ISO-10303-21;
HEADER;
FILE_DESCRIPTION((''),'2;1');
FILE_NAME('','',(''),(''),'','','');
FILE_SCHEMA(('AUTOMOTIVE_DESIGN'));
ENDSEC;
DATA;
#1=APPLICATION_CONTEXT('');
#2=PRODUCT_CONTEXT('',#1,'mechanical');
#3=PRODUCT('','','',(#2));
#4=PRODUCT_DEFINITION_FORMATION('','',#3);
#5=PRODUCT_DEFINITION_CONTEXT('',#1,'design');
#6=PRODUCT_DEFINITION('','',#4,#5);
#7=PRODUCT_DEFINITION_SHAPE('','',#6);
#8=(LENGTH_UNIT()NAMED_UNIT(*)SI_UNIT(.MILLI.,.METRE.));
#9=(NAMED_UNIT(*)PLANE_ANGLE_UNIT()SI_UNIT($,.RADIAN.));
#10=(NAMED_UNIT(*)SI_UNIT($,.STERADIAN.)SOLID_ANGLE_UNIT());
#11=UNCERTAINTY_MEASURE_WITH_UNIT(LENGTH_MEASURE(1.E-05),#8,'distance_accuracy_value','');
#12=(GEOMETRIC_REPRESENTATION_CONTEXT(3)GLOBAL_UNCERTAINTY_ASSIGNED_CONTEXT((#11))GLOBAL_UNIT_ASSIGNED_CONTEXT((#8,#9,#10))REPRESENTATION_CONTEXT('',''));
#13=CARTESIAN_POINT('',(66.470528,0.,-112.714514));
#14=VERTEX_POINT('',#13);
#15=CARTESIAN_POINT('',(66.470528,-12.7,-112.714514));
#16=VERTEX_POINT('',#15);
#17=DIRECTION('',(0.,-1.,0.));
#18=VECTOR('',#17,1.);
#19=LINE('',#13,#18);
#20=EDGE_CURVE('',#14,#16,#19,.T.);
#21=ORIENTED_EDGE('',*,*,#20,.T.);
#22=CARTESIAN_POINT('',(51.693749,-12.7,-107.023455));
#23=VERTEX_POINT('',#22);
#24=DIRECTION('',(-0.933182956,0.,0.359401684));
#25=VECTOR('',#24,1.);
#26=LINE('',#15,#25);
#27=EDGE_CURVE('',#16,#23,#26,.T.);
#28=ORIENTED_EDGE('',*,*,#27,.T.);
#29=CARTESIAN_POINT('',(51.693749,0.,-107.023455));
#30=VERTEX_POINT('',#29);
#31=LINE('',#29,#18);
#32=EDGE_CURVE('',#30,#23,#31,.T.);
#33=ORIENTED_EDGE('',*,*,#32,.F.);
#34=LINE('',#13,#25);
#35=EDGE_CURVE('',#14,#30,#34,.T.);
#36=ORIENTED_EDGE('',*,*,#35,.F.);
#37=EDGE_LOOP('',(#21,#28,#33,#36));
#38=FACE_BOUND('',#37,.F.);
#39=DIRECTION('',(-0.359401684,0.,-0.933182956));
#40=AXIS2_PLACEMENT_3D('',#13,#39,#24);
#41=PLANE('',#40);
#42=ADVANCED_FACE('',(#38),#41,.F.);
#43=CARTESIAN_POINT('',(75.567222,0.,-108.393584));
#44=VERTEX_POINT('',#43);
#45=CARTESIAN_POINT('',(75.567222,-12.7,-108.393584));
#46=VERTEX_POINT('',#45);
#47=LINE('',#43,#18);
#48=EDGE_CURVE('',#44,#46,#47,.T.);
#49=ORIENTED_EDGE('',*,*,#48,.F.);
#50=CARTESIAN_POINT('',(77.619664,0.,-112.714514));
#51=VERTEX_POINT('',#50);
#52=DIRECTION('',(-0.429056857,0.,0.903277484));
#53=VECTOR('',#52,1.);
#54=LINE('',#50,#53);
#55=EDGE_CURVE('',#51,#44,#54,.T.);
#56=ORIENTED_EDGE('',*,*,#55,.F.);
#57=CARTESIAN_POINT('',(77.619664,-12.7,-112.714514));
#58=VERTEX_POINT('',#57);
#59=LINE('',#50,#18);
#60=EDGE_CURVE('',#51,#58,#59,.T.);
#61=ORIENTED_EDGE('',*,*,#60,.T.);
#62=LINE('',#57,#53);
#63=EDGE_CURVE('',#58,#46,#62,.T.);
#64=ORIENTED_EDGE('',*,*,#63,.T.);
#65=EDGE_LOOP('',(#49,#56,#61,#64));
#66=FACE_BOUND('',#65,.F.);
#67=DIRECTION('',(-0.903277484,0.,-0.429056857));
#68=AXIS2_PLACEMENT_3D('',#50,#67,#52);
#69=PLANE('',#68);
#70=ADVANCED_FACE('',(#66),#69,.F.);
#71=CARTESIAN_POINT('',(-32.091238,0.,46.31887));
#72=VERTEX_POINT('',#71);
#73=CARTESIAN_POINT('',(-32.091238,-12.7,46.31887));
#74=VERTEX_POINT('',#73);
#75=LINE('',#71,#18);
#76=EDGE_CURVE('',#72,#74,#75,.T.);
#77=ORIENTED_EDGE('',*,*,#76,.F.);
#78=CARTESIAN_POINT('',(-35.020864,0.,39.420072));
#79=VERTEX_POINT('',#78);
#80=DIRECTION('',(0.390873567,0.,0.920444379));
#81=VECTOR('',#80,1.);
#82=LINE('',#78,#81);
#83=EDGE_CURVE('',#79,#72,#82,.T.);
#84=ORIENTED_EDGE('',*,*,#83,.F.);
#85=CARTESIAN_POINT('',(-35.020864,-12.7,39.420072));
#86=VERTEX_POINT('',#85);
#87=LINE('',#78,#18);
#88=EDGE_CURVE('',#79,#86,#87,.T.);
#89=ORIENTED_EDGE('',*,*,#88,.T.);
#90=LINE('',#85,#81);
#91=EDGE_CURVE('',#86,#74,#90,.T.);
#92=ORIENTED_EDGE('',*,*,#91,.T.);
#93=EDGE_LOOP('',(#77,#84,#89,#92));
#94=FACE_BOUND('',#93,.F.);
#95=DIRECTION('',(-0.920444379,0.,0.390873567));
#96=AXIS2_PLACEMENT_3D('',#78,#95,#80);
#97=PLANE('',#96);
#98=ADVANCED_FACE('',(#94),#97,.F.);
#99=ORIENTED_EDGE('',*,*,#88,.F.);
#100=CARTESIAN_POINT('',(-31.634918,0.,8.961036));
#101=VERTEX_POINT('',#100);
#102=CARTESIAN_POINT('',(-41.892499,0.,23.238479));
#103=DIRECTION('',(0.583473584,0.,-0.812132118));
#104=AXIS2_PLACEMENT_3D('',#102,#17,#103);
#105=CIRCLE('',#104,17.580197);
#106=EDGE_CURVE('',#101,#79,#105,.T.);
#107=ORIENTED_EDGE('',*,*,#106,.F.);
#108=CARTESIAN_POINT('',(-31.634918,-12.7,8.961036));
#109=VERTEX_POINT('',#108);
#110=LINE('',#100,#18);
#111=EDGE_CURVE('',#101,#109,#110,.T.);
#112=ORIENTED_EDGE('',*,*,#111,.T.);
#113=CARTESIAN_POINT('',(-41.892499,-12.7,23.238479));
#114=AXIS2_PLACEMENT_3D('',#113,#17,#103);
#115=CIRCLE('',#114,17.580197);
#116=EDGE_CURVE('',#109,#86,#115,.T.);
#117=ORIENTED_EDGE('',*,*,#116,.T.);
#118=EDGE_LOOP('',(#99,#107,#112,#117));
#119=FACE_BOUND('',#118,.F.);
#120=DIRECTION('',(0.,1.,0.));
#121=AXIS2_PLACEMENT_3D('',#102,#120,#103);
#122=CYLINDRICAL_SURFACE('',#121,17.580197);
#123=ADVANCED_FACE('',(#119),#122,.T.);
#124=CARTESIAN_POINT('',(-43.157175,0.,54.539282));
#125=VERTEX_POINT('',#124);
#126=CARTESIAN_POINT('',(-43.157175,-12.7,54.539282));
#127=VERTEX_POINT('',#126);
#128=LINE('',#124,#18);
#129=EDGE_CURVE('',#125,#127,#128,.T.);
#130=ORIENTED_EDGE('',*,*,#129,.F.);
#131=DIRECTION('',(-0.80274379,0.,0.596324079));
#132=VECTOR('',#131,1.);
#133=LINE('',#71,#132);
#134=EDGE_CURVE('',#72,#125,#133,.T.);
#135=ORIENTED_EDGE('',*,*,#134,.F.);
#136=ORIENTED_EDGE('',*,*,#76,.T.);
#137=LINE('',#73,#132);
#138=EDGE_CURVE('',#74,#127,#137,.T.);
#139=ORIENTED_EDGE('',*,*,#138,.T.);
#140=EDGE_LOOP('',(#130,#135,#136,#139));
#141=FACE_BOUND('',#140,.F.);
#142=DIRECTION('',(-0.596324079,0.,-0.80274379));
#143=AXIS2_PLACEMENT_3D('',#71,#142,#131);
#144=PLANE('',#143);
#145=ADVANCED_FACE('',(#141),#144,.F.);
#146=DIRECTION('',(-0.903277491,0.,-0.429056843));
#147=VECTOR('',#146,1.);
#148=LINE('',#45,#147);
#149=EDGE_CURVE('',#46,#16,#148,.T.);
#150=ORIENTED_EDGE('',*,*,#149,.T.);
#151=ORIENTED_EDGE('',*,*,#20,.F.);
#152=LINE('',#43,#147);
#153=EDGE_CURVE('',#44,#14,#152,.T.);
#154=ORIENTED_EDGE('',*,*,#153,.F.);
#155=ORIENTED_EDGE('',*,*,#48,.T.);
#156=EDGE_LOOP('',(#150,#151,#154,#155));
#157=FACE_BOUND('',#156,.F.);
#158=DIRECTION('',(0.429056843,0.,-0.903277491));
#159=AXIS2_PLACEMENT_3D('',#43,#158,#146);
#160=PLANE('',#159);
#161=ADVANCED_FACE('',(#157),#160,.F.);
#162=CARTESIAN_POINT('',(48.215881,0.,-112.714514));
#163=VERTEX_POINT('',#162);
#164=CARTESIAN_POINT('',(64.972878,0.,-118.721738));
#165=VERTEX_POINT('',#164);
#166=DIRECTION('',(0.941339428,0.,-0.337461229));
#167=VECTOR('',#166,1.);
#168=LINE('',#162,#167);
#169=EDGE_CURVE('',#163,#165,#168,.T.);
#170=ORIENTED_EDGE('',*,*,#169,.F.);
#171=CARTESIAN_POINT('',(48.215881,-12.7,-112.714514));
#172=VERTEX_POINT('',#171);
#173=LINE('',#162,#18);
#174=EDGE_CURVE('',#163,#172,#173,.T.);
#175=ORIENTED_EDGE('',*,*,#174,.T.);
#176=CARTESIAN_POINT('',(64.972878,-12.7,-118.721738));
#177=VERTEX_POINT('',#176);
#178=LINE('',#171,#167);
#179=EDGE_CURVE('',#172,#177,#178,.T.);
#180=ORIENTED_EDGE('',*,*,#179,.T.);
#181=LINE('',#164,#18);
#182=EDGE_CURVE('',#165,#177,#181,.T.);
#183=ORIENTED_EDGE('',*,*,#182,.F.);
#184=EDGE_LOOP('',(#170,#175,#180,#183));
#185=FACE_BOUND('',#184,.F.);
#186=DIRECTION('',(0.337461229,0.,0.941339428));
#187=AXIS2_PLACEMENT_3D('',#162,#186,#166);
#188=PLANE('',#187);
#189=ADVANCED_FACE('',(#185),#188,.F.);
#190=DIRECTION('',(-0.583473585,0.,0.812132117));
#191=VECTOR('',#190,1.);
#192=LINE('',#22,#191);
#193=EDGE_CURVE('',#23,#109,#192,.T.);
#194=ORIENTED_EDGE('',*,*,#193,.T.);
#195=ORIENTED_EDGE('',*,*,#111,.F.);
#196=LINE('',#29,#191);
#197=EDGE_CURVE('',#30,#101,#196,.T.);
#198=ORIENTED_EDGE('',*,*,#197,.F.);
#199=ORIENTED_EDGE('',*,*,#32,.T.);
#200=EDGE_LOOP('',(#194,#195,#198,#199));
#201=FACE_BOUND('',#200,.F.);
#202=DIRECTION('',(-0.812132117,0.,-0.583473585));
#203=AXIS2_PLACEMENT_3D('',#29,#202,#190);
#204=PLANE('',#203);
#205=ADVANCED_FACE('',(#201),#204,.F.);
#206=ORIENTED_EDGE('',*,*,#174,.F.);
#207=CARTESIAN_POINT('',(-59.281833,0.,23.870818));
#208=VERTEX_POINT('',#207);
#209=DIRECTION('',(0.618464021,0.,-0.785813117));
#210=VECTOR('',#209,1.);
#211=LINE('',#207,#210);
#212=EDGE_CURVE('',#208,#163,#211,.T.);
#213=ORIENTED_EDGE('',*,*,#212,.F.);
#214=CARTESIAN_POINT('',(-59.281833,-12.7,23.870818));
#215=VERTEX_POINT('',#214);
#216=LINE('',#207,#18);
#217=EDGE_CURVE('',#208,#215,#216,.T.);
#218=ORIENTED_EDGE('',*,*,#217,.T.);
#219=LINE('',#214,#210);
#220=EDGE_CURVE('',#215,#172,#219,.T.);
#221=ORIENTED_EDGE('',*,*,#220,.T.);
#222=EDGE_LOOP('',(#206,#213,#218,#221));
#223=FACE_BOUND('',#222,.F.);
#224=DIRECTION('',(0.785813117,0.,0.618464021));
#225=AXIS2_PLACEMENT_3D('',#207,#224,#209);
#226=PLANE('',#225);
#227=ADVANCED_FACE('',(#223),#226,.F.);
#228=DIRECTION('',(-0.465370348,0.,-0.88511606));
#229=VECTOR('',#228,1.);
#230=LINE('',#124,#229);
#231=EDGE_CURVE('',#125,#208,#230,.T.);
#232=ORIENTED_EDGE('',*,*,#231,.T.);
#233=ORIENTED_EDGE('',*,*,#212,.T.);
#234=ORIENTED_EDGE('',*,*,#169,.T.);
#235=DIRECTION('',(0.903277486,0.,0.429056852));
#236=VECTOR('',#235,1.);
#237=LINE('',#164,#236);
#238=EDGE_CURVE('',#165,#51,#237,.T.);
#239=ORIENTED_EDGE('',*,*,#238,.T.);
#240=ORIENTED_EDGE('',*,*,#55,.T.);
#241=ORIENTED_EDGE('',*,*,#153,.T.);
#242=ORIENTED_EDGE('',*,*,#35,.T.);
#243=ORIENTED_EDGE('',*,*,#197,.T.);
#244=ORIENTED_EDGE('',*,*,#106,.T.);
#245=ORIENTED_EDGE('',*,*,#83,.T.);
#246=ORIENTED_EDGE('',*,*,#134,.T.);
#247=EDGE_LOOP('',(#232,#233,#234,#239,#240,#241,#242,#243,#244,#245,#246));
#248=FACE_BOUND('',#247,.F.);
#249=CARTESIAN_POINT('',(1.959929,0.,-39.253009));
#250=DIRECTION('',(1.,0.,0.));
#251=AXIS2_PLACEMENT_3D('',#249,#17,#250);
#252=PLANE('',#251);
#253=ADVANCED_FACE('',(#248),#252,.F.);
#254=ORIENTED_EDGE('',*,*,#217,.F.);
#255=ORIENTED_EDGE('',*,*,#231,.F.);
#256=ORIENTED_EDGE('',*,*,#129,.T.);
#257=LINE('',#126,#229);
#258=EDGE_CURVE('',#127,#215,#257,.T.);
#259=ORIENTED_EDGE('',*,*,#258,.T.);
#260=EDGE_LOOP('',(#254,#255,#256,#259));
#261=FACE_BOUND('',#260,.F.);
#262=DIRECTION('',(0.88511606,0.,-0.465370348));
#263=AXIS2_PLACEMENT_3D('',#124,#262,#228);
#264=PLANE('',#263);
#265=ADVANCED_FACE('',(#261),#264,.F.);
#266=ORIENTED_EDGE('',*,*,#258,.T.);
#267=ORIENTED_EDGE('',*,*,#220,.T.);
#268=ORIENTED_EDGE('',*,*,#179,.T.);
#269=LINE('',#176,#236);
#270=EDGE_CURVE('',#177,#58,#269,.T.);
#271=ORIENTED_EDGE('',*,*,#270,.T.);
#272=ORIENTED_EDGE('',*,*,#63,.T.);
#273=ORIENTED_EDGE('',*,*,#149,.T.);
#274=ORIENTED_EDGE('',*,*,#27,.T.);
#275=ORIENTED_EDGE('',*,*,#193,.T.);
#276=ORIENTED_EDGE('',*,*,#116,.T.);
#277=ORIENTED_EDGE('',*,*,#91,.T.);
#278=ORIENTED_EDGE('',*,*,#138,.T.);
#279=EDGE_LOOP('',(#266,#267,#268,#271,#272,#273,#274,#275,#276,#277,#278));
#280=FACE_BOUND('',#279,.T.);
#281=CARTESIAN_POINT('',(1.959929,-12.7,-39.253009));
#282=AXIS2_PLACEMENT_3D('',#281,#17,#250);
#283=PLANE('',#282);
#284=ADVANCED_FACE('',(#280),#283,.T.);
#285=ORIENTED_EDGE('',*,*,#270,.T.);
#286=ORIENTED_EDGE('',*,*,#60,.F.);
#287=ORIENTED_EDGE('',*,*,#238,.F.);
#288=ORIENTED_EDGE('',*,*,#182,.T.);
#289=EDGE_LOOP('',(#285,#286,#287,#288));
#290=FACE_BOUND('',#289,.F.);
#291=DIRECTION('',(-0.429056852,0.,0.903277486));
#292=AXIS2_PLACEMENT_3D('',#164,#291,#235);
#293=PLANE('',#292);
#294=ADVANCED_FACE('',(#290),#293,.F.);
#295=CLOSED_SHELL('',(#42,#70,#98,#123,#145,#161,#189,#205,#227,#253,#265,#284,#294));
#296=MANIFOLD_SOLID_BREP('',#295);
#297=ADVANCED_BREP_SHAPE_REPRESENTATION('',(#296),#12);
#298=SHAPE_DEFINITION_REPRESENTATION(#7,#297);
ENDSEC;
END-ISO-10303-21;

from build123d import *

# Parameters (mm, degrees)
F1_DEPTH = 12.7


with BuildPart() as f1:
    # F0 (on Front) → F1 (new body)
    with BuildSketch(Plane.XZ):
        with BuildLine():
            Line((-32.091238, 46.31887), (-43.157175, 54.539282))
            Line((-43.157175, 54.539282), (-59.281833, 23.870818))
            Line((-59.281833, 23.870818), (48.215881, -112.714514))
            Line((48.215881, -112.714514), (64.972878, -118.721738))
            Line((64.972878, -118.721738), (77.619664, -112.714514))
            Line((77.619664, -112.714514), (75.567222, -108.393584))
            Line((75.567222, -108.393584), (66.470528, -112.714514))
            Line((66.470528, -112.714514), (51.693749, -107.023455))
            Line((51.693749, -107.023455), (-31.634918, 8.961036))
            ThreePointArc((-31.634918, 8.961036), (-24.419928, 25.180798), (-35.020864, 39.420072))
            Line((-35.020864, 39.420072), (-32.091238, 46.31887))
        make_face()
    extrude(amount=F1_DEPTH)


solid = f1.part
